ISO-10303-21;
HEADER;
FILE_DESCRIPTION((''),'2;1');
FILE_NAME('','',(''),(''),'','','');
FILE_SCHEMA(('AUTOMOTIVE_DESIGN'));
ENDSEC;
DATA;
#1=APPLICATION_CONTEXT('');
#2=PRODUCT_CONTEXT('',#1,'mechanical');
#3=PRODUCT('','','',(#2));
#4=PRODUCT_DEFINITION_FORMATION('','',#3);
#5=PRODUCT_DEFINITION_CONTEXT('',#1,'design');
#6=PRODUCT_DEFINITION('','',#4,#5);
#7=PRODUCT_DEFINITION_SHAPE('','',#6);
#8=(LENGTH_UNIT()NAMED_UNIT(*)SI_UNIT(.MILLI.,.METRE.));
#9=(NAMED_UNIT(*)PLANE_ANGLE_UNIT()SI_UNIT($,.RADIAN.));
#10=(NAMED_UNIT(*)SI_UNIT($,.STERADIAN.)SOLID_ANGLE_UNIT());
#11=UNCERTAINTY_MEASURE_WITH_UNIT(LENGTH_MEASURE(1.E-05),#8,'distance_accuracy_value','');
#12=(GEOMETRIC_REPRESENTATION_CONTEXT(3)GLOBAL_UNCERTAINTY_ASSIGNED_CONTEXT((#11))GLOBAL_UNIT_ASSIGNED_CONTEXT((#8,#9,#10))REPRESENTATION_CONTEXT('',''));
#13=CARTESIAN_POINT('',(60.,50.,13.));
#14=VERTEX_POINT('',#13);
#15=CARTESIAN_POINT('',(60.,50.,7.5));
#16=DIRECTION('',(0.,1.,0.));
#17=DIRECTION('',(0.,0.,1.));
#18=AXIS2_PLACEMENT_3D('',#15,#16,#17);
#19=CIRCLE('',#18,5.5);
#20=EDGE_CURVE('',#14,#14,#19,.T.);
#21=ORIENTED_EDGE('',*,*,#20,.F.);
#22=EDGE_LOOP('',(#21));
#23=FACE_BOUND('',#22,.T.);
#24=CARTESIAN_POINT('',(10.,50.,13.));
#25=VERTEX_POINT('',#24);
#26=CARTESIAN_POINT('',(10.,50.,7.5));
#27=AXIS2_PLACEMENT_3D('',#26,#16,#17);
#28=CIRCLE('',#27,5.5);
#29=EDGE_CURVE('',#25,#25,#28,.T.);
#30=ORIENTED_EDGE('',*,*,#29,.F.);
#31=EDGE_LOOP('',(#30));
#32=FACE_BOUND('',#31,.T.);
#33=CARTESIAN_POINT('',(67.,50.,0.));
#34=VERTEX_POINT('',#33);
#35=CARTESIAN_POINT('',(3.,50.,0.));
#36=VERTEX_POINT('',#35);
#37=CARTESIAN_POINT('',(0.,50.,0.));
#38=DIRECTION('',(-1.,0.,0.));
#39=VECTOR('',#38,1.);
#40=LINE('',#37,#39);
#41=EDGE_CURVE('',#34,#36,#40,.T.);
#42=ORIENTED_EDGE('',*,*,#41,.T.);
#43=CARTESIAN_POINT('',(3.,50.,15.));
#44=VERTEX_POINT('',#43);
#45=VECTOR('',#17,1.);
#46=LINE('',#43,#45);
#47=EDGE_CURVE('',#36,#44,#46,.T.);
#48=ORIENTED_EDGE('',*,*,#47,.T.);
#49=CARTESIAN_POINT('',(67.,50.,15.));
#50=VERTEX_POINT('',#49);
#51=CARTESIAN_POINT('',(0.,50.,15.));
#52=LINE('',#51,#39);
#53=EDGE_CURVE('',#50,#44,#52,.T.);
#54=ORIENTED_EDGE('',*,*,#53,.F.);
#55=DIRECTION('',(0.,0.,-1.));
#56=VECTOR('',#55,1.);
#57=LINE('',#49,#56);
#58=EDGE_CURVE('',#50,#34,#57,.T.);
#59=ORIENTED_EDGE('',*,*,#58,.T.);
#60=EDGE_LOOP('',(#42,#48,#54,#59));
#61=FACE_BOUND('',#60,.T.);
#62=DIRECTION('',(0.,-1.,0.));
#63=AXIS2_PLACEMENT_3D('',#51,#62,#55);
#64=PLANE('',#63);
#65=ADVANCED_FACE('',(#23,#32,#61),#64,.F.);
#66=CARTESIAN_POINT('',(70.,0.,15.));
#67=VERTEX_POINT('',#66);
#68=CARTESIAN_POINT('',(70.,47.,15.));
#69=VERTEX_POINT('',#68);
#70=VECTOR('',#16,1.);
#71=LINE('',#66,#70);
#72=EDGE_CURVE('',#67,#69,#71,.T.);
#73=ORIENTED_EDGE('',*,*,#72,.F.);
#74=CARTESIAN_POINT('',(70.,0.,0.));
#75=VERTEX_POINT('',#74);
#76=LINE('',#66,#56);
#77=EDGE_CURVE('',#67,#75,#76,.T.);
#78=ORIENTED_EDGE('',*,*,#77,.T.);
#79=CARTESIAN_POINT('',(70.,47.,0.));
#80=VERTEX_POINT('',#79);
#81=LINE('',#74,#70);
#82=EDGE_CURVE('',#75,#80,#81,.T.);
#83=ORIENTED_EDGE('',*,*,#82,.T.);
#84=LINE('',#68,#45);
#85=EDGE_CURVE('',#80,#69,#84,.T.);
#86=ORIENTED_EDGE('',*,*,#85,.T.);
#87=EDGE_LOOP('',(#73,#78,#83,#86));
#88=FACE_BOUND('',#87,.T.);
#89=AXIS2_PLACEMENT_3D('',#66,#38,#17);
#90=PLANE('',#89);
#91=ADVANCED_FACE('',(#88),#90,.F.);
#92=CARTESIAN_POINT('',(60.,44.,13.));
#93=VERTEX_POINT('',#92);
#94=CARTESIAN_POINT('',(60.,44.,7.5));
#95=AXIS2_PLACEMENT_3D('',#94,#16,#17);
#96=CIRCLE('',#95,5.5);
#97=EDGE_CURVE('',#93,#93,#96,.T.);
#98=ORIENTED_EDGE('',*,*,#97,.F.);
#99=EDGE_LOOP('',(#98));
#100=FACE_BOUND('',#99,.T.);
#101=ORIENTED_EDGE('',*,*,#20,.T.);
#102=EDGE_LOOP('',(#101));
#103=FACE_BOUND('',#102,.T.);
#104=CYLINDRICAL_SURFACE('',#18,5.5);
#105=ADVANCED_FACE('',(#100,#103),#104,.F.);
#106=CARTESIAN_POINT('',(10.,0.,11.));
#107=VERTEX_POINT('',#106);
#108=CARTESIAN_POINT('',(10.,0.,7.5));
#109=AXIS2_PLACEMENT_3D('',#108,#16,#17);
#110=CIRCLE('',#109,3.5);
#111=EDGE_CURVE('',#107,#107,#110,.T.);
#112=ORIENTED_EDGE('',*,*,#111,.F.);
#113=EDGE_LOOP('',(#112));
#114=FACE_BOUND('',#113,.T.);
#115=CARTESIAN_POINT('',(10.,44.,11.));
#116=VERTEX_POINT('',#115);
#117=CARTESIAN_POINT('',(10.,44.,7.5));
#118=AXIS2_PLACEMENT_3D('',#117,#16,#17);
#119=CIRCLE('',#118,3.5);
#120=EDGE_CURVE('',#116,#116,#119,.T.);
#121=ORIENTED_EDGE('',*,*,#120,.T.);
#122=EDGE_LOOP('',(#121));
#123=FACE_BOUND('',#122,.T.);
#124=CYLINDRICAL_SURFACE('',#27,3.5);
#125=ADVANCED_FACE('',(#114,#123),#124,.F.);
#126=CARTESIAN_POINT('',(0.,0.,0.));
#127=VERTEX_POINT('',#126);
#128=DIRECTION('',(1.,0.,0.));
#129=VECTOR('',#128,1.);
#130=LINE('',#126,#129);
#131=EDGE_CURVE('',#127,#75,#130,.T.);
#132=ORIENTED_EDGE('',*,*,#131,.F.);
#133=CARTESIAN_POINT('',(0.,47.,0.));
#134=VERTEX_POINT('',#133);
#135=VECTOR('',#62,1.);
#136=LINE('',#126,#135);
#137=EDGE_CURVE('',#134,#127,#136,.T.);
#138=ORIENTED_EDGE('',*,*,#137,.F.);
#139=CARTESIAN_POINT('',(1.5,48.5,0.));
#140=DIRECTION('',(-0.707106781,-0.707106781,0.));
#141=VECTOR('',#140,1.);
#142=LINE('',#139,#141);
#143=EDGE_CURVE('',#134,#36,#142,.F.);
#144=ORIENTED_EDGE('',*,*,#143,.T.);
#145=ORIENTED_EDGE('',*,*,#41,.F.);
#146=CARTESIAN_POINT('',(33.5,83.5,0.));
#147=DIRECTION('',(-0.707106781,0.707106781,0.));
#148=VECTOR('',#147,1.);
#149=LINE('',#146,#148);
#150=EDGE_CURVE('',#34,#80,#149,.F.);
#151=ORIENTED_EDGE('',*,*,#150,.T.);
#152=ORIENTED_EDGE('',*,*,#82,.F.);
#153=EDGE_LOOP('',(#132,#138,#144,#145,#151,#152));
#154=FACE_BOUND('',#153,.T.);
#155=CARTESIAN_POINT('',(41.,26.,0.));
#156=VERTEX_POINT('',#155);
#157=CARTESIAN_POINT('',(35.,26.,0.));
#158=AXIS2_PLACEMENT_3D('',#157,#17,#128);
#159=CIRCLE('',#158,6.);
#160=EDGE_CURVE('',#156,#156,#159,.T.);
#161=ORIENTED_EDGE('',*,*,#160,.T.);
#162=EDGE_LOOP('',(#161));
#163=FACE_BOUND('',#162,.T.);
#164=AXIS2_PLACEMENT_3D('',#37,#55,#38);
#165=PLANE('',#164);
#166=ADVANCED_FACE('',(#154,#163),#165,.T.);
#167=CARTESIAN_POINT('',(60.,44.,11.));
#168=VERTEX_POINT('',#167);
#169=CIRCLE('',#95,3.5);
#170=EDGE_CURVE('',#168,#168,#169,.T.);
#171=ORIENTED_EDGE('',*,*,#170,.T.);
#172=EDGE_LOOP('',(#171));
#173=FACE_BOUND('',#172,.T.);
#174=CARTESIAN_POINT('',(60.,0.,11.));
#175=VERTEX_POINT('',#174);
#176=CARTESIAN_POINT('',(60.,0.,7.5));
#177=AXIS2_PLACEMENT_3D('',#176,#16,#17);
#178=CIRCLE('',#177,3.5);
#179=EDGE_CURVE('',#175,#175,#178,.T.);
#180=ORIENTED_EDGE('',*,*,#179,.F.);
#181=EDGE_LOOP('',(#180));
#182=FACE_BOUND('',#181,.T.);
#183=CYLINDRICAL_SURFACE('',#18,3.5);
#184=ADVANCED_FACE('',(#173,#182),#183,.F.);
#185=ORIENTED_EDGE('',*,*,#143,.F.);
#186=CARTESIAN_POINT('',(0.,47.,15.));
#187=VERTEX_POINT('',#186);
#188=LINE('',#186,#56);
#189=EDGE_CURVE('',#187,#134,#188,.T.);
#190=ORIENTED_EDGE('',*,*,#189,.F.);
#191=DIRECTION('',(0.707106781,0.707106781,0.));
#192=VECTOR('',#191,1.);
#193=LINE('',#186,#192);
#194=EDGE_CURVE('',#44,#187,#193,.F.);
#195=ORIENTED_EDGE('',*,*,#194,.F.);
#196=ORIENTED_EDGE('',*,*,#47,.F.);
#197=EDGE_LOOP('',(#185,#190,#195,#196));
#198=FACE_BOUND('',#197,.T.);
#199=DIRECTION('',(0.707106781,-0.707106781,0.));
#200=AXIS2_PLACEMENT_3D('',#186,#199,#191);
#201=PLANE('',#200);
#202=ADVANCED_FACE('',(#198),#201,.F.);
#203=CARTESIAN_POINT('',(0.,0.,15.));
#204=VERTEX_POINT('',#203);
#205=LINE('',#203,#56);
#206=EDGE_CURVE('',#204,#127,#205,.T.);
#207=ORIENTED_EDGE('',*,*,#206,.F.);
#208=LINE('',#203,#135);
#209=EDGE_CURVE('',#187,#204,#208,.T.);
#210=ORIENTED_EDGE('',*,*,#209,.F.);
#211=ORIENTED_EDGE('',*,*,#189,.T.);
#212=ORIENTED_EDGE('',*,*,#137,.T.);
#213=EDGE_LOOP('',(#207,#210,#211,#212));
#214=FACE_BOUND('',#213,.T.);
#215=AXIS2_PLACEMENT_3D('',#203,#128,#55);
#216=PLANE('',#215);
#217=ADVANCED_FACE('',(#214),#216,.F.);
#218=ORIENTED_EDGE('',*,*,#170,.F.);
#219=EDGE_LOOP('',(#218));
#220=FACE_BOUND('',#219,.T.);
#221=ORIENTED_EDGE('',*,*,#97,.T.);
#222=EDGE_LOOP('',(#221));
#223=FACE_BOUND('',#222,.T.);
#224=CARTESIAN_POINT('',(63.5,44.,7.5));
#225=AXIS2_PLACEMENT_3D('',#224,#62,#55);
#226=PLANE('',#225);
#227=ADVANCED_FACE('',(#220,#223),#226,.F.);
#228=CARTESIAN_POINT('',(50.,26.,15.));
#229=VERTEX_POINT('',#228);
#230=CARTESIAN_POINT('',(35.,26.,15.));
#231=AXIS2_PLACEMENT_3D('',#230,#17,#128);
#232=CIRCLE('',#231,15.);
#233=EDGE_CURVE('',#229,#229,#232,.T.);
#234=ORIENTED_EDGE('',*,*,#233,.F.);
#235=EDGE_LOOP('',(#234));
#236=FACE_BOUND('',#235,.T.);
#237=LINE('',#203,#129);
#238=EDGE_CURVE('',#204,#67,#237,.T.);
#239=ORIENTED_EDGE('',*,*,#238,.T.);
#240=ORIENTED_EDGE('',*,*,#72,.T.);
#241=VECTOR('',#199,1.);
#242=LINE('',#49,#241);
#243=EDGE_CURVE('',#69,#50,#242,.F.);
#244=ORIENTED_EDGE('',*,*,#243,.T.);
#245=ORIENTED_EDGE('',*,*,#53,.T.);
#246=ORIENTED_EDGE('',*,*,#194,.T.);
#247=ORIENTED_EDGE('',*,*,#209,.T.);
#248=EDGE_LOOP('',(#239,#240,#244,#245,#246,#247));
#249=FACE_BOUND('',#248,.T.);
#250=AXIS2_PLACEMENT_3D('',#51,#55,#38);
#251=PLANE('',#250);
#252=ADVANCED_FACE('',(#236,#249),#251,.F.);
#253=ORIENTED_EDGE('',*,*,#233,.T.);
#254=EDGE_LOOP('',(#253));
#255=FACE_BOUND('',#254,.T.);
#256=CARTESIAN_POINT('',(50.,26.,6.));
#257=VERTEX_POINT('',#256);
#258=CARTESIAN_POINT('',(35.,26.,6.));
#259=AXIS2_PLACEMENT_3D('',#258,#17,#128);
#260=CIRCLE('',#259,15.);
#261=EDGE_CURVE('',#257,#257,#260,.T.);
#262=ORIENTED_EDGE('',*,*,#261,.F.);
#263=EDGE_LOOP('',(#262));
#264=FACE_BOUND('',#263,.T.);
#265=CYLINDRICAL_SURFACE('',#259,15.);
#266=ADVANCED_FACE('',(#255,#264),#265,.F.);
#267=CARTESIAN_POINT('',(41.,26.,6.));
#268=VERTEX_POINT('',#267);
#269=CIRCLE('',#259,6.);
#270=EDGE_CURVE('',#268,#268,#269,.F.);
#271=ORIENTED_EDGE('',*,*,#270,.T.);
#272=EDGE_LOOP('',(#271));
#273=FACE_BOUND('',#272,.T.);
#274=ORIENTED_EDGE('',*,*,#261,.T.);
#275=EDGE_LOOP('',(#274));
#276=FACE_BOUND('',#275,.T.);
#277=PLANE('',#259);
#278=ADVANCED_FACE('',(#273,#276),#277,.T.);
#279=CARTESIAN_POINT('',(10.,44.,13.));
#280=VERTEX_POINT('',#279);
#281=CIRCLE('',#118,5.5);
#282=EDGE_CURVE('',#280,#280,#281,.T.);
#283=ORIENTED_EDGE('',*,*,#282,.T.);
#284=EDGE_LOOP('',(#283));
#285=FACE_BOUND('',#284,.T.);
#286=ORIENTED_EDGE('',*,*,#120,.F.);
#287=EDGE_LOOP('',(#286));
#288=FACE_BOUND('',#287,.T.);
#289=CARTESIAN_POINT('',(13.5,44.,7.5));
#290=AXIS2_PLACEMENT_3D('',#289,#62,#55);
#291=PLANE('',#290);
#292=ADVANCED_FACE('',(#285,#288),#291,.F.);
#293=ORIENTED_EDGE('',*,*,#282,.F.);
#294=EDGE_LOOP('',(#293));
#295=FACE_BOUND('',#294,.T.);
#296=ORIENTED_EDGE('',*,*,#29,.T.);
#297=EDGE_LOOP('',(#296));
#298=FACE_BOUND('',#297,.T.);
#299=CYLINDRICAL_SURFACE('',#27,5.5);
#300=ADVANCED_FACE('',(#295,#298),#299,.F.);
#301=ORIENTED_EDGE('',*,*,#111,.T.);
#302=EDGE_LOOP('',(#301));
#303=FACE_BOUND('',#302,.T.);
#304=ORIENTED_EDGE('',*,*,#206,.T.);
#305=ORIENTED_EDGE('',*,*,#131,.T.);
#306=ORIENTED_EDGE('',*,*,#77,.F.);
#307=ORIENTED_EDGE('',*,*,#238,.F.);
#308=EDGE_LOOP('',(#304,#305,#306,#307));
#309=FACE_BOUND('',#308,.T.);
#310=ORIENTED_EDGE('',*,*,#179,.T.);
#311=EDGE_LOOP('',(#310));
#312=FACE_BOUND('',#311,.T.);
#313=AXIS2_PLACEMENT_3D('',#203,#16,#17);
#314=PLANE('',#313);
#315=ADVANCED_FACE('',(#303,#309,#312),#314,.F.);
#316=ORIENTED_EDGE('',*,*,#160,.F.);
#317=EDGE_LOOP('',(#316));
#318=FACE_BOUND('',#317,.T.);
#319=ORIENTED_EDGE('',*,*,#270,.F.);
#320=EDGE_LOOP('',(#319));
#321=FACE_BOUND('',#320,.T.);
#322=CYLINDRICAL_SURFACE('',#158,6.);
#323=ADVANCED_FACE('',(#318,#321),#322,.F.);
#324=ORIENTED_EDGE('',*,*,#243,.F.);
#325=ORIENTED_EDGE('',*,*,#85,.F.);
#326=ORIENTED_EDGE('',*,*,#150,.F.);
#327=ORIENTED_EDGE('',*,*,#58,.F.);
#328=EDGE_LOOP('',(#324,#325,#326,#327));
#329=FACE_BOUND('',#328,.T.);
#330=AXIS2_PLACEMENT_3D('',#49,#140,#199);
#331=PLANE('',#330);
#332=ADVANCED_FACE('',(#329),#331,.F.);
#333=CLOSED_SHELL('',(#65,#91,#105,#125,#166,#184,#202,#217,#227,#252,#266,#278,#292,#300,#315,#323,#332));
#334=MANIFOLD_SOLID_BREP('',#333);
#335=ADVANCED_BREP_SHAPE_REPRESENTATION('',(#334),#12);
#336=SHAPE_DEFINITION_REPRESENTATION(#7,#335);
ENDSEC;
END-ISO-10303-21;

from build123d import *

# Parameters (mm, degrees)
SKETCH_1_W                   = 70
SKETCH_1_H                   = 50
EXTRUDE_1_DEPTH              = 15
SKETCH_2_R                   = 6
CUT_EXTRUDE_1_DEPTH          = 88.321245983
CHAMFER_1_SIZE               = 3
HOLE_WIZARD_M6_1_D           = 7
HOLE_WIZARD_M6_1_CBORE_D     = 11
HOLE_WIZARD_M6_1_CBORE_DEPTH = 6
SKETCH_5_R                   = 15
CUT_EXTRUDE_2_DEPTH          = 9


with BuildPart() as part:
    # 草图1 → 凸台-拉伸1 (new body)
    with BuildSketch(Plane.XY):
        with Locations((35, 25)):
            Rectangle(SKETCH_1_W, SKETCH_1_H)
    extrude(amount=EXTRUDE_1_DEPTH)

    # 草图2 → 切除-拉伸1 (cut, through all)
    with BuildSketch(Plane.XY.offset(15)):
        with Locations((35, 26)):
            Circle(SKETCH_2_R)
    extrude(amount=-CUT_EXTRUDE_1_DEPTH, mode=Mode.SUBTRACT)

    # 倒角1
    chamfer_1_edges = [part.edges().sort_by_distance(p)[0] for p in [
        (0, 50, 7.5),
        (70, 50, 7.5),
    ]]
    chamfer(chamfer_1_edges, length=CHAMFER_1_SIZE)

    # M6 六角凹头螺钉的柱形沉头孔1 (through all)
    with Locations(Plane(origin=(0, 50, 0), x_dir=(-1, 0, 0), z_dir=(0, 1, 0))):
        with Locations((-10, 7.5), (-60, 7.5)):
            CounterBoreHole(HOLE_WIZARD_M6_1_D / 2, HOLE_WIZARD_M6_1_CBORE_D / 2, HOLE_WIZARD_M6_1_CBORE_DEPTH)

    # 草图5 → 切除-拉伸2 (cut)
    with BuildSketch(Plane.XY.offset(15)):
        with Locations((35, 26)):
            Circle(SKETCH_5_R)
    extrude(amount=-CUT_EXTRUDE_2_DEPTH, mode=Mode.SUBTRACT)


solid = part.part
